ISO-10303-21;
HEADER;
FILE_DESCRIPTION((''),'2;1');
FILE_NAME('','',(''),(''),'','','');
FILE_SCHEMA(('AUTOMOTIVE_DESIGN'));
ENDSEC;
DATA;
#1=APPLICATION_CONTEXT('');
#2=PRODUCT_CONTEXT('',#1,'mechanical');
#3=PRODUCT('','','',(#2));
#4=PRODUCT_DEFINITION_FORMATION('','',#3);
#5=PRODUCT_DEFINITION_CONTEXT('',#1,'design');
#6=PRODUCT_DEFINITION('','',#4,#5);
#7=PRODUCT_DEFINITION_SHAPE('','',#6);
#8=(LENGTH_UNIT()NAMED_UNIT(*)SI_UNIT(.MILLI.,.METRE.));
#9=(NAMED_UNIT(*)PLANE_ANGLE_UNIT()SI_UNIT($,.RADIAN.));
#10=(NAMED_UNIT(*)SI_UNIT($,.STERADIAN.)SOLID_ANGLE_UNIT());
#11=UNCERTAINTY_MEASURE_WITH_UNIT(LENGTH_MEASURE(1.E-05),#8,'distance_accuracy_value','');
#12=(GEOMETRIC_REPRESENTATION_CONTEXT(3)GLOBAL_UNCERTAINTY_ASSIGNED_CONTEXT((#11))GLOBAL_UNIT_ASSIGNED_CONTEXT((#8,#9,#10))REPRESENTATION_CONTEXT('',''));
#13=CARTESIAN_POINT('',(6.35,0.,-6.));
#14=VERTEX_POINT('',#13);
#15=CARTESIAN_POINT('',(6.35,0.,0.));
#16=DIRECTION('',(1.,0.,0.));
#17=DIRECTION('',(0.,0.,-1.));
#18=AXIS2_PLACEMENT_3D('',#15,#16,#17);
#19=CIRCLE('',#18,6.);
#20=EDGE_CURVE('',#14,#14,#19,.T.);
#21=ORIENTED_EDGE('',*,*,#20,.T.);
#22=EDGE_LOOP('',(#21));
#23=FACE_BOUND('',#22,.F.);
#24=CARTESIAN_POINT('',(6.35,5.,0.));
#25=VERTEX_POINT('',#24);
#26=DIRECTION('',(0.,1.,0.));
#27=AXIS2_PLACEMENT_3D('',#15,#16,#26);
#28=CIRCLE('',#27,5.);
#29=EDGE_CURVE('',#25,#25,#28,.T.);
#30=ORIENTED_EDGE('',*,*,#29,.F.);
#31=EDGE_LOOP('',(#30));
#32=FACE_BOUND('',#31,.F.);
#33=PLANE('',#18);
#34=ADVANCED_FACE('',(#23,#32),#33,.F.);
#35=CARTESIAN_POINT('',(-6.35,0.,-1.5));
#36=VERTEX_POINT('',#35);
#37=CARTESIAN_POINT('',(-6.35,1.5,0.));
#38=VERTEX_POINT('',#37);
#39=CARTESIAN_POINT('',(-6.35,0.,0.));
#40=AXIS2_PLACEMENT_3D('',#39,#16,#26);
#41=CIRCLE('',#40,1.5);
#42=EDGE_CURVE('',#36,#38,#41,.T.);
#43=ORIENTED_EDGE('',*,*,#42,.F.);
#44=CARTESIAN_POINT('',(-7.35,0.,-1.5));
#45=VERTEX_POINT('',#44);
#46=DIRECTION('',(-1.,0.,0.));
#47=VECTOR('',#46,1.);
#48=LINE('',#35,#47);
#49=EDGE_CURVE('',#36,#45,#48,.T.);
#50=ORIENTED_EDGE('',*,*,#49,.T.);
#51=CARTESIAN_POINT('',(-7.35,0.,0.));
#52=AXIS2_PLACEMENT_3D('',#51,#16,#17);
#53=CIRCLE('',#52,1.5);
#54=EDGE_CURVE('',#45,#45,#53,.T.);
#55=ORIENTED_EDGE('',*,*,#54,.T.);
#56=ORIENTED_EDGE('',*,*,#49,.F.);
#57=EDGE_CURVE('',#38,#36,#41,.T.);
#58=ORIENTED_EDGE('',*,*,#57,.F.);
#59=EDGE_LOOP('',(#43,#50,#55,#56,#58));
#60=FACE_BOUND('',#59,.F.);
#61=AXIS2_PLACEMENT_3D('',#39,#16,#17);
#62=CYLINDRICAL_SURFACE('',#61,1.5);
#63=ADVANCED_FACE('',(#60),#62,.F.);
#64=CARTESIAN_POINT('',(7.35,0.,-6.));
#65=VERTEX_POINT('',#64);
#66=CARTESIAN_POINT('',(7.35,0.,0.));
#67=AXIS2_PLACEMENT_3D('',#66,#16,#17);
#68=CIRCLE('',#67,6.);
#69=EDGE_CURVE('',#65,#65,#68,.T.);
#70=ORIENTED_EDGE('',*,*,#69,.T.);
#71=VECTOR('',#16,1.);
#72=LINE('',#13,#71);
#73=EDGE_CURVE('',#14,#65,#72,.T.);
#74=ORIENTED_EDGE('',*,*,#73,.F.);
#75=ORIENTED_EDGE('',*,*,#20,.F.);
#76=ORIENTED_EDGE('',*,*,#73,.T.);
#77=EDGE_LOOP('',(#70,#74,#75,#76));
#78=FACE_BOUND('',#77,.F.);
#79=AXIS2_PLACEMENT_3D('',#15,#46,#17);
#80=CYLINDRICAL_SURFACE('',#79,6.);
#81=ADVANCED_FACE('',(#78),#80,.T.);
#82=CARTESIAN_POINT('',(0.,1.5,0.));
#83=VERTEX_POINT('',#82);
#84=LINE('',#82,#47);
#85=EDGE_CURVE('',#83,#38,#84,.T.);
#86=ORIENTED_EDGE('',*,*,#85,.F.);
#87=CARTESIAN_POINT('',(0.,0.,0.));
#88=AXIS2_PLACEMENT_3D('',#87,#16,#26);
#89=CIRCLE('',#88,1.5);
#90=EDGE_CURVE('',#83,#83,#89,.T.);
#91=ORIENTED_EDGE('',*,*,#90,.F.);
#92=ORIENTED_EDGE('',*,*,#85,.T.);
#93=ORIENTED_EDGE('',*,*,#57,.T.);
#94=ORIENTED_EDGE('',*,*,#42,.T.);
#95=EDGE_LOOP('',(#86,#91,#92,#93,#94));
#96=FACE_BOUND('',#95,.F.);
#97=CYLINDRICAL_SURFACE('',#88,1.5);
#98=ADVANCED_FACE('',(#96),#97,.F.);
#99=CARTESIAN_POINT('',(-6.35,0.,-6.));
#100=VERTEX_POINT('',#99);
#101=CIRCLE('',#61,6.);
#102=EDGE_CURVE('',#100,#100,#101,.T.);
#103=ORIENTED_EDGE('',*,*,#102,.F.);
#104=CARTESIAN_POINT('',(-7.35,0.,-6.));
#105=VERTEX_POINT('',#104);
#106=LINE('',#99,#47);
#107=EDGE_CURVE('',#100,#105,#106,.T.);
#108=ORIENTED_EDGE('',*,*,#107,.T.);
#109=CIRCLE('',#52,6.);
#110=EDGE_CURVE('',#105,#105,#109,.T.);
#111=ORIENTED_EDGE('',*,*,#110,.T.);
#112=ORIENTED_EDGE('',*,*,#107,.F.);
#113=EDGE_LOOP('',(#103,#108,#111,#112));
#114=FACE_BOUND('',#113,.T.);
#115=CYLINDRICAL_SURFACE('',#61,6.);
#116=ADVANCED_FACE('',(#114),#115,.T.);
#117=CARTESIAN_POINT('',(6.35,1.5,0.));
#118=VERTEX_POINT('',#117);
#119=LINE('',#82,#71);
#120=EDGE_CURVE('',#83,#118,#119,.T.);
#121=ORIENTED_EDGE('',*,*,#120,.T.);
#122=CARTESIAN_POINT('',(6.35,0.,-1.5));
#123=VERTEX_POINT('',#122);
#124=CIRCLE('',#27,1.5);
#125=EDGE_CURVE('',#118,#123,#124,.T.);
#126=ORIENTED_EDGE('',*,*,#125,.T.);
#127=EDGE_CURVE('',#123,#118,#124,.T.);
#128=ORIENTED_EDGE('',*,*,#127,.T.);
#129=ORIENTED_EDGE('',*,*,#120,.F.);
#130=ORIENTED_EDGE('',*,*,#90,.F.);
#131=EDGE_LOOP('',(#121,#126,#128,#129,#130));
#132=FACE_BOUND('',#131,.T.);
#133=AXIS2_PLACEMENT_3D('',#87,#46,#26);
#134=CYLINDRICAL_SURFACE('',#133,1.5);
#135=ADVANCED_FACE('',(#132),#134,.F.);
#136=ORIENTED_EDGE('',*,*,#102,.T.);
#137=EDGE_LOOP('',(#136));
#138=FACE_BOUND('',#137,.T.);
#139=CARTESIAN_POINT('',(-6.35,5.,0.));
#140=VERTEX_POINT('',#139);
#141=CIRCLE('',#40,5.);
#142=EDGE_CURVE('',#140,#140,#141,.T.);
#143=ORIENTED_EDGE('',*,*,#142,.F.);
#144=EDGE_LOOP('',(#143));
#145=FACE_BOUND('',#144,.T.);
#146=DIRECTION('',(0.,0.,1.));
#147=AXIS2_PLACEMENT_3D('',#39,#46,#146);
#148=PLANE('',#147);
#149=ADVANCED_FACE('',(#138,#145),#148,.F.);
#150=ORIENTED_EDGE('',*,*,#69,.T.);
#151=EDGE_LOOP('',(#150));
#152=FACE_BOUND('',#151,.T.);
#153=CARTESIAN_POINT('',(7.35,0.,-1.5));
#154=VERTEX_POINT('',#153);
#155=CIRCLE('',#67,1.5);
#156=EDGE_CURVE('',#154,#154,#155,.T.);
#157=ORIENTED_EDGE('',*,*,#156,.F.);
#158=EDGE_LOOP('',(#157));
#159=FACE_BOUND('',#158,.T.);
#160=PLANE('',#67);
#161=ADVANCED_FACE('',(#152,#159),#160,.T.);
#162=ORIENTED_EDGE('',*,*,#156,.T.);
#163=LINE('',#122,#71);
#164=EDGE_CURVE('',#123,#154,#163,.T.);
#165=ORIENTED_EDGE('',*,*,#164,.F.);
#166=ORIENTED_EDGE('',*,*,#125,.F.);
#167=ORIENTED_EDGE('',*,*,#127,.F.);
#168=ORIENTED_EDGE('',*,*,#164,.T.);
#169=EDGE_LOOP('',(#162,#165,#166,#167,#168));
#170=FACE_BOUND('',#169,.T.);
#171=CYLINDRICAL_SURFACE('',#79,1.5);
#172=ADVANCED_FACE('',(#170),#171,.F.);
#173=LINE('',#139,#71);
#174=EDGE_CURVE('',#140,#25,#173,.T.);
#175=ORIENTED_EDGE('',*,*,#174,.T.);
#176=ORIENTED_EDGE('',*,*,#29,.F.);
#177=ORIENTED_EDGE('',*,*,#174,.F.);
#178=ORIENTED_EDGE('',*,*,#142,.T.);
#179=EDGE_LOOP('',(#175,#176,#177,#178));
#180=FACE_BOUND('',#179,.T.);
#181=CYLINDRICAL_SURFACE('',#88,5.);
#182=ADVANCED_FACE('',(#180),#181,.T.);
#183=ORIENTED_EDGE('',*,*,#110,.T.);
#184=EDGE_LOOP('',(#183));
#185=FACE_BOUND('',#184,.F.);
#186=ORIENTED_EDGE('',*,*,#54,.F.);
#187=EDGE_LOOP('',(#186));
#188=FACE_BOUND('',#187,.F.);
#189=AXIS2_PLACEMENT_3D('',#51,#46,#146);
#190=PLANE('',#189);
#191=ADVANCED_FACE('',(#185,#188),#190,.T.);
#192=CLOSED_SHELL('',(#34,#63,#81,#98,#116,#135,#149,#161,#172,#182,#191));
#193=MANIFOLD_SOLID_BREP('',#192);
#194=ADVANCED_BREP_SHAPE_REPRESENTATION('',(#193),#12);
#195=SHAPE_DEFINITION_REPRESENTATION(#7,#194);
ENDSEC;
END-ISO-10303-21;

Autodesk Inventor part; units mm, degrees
ref_plane "YZ Plane" through (0, 0, 0) normal (1, 0, 0) x (0, 1, 0)
ref_plane "XZ Plane" through (0, 0, 0) normal (0, 1, 0) x (-1, 0, 0)
ref_plane "XY Plane" through (0, 0, 0) normal (0, 0, 1) x (1, 0, 0)
sketch "Sketch1" plane through (0, 0, 0) normal (1, 0, 0) x (0, 1, 0)
  circle A0 centre (0, 0) radius 1.5
  circle A1 centre (0, 0) radius 5
  dimension "d0" = 3
  dimension "d1" = 10
extrude "Extrusion1" add sketch "Sketch1" along normal mid plane 12.7
sketch "Sketch2" plane through (6.35, 0, 0) normal (1, 0, 0) x (0, 0, -1)
  circle A0 centre (0, 0) radius 6
  circle A1 centre (0, 0) radius 1.5
  dimension "d4" = 12
  dimension "d5" = 3
extrude "Extrusion2" add sketch "Sketch2" along normal blind 1
mirror "Mirror1" about plane through (0, 0, 0) normal (1, 0, 0) of "Extrusion2"
properties part number "HubV2"
